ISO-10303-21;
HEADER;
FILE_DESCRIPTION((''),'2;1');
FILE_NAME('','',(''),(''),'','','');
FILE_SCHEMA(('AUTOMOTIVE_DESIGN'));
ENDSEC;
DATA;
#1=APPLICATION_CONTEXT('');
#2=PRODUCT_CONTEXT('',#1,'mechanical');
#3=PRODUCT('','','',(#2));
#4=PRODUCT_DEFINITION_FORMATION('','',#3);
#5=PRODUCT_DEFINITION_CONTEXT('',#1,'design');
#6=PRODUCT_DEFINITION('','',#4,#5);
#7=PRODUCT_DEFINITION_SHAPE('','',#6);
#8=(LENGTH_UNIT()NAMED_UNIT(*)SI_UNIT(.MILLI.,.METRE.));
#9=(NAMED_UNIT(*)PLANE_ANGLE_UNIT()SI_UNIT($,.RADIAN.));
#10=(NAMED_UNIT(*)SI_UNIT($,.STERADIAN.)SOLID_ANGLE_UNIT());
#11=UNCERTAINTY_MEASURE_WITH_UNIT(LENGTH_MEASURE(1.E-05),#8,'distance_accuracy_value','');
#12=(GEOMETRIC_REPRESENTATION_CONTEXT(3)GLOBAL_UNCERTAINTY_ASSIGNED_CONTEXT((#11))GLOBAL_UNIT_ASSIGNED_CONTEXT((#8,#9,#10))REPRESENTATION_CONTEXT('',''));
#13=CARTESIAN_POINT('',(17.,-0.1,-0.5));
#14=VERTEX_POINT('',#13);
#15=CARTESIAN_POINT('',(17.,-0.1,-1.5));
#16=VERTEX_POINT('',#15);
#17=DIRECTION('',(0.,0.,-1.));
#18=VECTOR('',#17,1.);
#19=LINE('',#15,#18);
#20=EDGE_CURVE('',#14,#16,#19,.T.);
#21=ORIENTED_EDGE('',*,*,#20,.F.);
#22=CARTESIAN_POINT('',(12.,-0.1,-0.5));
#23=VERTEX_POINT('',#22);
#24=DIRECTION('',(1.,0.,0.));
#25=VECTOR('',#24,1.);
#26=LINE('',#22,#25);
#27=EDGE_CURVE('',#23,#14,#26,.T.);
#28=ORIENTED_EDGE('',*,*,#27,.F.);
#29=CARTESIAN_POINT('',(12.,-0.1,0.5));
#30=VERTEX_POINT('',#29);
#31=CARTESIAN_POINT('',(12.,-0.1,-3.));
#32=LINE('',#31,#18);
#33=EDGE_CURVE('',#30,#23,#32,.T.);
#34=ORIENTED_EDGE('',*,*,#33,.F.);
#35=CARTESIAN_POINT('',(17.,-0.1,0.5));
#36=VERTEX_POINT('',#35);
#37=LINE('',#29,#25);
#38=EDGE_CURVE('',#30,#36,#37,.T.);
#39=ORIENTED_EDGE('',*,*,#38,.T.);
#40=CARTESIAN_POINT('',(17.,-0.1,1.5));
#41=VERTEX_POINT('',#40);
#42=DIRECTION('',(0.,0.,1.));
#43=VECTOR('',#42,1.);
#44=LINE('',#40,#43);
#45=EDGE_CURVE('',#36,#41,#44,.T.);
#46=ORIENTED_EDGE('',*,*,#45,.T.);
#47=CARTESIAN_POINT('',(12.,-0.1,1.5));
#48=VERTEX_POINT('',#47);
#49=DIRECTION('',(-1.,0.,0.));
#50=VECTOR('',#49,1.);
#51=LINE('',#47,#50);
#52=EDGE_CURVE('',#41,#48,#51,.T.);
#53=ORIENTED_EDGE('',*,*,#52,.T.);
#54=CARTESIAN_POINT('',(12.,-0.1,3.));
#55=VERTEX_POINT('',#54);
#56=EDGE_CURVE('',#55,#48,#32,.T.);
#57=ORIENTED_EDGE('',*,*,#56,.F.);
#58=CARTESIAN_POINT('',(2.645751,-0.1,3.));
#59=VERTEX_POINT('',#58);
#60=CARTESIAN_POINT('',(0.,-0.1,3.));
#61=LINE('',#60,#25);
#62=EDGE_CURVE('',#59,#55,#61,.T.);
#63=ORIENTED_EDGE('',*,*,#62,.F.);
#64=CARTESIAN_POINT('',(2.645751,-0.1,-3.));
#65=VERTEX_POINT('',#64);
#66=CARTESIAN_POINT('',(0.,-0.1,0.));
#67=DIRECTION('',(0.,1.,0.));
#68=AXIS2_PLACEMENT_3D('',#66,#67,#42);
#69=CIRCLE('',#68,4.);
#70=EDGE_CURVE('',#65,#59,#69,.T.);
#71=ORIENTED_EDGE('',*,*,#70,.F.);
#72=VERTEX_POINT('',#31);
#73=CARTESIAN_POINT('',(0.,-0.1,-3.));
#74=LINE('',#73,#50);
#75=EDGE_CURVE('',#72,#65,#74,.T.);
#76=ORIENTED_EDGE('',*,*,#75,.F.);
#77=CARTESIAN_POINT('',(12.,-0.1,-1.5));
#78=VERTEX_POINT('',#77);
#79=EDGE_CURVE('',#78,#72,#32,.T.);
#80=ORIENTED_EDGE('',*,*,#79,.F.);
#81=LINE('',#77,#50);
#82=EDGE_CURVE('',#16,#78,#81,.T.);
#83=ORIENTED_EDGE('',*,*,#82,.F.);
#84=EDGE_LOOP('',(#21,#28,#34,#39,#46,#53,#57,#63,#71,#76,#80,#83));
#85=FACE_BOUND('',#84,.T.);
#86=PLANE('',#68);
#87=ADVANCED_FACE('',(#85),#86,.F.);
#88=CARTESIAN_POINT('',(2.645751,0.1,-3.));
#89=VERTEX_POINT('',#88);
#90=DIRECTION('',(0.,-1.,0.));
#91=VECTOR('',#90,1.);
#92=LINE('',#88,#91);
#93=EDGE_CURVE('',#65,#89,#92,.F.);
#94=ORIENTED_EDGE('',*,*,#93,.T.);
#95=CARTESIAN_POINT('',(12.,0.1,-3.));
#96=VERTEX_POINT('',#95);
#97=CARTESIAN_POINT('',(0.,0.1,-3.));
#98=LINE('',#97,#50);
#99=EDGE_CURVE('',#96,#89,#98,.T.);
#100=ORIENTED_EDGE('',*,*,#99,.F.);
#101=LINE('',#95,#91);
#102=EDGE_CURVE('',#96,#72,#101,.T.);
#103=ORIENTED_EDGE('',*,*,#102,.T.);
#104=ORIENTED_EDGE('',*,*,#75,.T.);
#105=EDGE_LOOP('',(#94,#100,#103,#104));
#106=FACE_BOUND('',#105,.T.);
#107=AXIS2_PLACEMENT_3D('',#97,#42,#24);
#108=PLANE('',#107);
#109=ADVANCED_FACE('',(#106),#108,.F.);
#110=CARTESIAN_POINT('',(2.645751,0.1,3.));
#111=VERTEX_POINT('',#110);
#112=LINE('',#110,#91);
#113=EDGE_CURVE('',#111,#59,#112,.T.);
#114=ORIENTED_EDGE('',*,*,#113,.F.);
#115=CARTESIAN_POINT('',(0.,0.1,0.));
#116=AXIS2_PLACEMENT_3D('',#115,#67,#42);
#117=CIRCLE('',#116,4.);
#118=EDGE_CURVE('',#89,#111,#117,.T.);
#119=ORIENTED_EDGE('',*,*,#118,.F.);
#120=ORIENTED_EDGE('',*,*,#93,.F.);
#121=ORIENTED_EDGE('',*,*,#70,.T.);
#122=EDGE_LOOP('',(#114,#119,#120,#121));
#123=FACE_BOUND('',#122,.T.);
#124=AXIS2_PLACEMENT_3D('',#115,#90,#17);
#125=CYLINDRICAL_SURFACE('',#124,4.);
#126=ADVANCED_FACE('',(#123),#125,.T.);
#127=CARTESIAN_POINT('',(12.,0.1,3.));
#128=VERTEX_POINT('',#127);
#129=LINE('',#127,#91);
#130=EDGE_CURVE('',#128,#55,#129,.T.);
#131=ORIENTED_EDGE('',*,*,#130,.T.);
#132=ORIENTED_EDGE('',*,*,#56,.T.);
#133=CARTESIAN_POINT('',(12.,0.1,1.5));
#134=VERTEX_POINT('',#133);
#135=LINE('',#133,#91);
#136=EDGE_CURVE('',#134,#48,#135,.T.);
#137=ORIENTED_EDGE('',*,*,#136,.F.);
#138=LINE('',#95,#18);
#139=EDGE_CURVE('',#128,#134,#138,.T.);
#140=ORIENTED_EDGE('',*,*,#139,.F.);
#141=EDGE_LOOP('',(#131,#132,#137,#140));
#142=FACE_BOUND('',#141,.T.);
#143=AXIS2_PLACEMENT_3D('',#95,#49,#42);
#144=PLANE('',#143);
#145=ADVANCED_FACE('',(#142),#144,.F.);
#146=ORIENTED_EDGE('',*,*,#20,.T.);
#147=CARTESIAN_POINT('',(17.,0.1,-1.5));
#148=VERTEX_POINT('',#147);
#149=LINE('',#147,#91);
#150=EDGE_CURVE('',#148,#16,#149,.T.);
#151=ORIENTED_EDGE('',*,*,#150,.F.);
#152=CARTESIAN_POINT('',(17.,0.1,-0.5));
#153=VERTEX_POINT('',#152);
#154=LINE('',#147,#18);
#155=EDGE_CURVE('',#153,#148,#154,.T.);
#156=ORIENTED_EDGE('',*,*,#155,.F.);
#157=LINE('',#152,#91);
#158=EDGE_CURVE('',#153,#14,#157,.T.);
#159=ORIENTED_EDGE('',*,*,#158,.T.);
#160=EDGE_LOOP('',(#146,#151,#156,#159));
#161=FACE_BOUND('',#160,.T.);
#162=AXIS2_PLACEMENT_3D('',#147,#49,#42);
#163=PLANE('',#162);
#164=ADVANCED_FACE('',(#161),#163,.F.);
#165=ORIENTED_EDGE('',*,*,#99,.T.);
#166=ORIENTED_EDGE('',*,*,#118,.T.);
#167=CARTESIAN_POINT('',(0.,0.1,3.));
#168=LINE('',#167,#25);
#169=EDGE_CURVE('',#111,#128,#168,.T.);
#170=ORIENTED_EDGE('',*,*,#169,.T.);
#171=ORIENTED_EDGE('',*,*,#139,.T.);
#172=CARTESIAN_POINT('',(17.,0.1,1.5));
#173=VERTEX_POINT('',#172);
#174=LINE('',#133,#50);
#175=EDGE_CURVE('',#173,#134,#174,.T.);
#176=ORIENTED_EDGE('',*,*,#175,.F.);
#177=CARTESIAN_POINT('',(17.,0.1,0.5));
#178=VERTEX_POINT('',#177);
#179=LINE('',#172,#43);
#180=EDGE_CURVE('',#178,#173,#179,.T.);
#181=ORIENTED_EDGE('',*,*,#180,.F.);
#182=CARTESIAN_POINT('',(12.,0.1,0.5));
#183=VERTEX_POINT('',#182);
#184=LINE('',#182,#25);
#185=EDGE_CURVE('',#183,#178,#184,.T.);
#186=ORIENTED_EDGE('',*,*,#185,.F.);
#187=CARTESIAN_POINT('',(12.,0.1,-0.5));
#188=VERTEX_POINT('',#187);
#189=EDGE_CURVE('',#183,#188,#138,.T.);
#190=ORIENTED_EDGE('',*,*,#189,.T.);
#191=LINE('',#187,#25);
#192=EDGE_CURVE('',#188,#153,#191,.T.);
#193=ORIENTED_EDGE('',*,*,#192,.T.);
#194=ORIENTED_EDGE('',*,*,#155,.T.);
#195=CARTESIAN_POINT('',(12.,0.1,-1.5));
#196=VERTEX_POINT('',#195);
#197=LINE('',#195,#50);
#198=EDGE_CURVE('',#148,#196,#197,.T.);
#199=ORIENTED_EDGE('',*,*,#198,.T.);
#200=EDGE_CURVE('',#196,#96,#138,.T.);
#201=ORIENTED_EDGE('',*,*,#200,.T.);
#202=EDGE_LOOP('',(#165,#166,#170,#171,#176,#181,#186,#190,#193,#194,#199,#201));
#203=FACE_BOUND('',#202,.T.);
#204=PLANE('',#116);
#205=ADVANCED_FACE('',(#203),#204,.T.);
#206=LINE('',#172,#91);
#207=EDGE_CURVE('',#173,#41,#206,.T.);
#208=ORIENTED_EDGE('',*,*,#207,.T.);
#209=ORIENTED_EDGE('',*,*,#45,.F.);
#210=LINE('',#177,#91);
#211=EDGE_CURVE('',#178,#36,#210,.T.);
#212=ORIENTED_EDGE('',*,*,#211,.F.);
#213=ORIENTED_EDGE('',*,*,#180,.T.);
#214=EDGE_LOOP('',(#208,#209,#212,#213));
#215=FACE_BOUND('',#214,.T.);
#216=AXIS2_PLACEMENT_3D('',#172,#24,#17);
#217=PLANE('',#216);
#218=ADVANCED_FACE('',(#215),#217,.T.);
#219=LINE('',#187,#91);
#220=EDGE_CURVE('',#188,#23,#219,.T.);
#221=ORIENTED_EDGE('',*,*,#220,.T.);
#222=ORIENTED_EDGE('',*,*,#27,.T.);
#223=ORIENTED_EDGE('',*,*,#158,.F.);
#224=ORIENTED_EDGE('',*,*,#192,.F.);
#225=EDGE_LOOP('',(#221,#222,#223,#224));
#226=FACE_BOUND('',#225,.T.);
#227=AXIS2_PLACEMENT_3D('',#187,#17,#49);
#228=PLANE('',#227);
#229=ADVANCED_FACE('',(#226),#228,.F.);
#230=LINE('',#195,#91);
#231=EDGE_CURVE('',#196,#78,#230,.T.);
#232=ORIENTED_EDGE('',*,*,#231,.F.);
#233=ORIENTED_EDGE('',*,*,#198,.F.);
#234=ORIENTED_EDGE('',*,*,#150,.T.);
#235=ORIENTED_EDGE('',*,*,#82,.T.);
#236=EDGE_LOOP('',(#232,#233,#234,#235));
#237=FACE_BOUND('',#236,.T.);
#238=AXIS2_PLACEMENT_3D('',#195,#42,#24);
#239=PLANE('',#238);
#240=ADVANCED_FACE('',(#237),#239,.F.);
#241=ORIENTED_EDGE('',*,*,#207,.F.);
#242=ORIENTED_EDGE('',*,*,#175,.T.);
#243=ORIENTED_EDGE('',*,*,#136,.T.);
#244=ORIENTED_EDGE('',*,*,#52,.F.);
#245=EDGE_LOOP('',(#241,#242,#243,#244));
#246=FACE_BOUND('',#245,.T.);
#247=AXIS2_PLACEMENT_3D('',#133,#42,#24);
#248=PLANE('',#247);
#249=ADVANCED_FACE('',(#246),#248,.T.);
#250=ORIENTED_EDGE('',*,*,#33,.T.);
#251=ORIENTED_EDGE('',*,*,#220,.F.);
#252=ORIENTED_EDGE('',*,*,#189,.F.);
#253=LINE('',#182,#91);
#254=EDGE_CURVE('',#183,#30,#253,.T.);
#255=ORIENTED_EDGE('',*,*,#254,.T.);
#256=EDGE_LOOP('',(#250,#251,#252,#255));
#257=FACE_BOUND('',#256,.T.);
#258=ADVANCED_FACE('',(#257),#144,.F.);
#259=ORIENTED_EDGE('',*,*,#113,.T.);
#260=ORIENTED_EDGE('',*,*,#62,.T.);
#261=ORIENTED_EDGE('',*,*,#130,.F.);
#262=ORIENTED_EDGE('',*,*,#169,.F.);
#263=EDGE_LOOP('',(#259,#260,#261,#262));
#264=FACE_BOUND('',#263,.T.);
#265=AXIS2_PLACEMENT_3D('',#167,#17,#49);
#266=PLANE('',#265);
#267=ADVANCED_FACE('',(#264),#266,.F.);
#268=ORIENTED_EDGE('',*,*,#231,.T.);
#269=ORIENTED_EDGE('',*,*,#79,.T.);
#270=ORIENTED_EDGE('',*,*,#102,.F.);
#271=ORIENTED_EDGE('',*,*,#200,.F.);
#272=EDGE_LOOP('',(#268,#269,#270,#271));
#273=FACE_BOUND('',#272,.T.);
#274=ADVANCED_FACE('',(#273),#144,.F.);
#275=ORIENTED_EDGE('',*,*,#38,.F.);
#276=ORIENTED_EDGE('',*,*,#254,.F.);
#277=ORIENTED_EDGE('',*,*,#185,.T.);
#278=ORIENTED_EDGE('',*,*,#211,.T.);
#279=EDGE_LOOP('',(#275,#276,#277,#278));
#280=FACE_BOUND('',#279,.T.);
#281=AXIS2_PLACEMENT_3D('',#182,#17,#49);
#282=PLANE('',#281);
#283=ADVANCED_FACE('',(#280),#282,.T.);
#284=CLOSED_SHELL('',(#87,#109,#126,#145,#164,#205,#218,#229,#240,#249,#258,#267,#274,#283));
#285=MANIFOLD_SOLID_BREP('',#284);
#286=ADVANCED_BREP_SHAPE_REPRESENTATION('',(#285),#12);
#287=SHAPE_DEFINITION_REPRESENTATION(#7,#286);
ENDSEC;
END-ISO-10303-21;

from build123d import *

# Parameters (mm, degrees)
SKETCH1_R           = 4
BOSS_EXTRUDE1_DEPTH = 0.1
SKETCH2_W           = 12
SKETCH2_H           = 6
BOSS_EXTRUDE2_DEPTH = 0.1
SKETCH3_W           = 5
SKETCH3_H           = 1
BOSS_EXTRUDE3_DEPTH = 0.1


with BuildPart() as part:
    # Sketch1 → Boss-Extrude1 (new body, symmetric)
    with BuildSketch(Plane(origin=(0, 0, 0), x_dir=(1, 0, 0), z_dir=(0, 1, 0))):
        Circle(SKETCH1_R)
    extrude(amount=BOSS_EXTRUDE1_DEPTH, both=True)

    # Sketch2 → Boss-Extrude2 (add, symmetric)
    with BuildSketch(Plane(origin=(0, 0, 0), x_dir=(1, 0, 0), z_dir=(0, 1, 0))):
        with Locations((6, 0)):
            Rectangle(SKETCH2_W, SKETCH2_H)
    extrude(amount=BOSS_EXTRUDE2_DEPTH, both=True)

    # Sketch3 → Boss-Extrude3 (add, symmetric)
    with BuildSketch(Plane(origin=(0, 0, 0), x_dir=(1, 0, 0), z_dir=(0, 1, 0))):
        with Locations((14.5, 1)):
            Rectangle(SKETCH3_W, SKETCH3_H)
    boss_extrude3 = extrude(amount=BOSS_EXTRUDE3_DEPTH, both=True)

    # Mirror1: Boss-Extrude3 across plane
    add(boss_extrude3.mirror(Plane.XY))


solid = part.part
